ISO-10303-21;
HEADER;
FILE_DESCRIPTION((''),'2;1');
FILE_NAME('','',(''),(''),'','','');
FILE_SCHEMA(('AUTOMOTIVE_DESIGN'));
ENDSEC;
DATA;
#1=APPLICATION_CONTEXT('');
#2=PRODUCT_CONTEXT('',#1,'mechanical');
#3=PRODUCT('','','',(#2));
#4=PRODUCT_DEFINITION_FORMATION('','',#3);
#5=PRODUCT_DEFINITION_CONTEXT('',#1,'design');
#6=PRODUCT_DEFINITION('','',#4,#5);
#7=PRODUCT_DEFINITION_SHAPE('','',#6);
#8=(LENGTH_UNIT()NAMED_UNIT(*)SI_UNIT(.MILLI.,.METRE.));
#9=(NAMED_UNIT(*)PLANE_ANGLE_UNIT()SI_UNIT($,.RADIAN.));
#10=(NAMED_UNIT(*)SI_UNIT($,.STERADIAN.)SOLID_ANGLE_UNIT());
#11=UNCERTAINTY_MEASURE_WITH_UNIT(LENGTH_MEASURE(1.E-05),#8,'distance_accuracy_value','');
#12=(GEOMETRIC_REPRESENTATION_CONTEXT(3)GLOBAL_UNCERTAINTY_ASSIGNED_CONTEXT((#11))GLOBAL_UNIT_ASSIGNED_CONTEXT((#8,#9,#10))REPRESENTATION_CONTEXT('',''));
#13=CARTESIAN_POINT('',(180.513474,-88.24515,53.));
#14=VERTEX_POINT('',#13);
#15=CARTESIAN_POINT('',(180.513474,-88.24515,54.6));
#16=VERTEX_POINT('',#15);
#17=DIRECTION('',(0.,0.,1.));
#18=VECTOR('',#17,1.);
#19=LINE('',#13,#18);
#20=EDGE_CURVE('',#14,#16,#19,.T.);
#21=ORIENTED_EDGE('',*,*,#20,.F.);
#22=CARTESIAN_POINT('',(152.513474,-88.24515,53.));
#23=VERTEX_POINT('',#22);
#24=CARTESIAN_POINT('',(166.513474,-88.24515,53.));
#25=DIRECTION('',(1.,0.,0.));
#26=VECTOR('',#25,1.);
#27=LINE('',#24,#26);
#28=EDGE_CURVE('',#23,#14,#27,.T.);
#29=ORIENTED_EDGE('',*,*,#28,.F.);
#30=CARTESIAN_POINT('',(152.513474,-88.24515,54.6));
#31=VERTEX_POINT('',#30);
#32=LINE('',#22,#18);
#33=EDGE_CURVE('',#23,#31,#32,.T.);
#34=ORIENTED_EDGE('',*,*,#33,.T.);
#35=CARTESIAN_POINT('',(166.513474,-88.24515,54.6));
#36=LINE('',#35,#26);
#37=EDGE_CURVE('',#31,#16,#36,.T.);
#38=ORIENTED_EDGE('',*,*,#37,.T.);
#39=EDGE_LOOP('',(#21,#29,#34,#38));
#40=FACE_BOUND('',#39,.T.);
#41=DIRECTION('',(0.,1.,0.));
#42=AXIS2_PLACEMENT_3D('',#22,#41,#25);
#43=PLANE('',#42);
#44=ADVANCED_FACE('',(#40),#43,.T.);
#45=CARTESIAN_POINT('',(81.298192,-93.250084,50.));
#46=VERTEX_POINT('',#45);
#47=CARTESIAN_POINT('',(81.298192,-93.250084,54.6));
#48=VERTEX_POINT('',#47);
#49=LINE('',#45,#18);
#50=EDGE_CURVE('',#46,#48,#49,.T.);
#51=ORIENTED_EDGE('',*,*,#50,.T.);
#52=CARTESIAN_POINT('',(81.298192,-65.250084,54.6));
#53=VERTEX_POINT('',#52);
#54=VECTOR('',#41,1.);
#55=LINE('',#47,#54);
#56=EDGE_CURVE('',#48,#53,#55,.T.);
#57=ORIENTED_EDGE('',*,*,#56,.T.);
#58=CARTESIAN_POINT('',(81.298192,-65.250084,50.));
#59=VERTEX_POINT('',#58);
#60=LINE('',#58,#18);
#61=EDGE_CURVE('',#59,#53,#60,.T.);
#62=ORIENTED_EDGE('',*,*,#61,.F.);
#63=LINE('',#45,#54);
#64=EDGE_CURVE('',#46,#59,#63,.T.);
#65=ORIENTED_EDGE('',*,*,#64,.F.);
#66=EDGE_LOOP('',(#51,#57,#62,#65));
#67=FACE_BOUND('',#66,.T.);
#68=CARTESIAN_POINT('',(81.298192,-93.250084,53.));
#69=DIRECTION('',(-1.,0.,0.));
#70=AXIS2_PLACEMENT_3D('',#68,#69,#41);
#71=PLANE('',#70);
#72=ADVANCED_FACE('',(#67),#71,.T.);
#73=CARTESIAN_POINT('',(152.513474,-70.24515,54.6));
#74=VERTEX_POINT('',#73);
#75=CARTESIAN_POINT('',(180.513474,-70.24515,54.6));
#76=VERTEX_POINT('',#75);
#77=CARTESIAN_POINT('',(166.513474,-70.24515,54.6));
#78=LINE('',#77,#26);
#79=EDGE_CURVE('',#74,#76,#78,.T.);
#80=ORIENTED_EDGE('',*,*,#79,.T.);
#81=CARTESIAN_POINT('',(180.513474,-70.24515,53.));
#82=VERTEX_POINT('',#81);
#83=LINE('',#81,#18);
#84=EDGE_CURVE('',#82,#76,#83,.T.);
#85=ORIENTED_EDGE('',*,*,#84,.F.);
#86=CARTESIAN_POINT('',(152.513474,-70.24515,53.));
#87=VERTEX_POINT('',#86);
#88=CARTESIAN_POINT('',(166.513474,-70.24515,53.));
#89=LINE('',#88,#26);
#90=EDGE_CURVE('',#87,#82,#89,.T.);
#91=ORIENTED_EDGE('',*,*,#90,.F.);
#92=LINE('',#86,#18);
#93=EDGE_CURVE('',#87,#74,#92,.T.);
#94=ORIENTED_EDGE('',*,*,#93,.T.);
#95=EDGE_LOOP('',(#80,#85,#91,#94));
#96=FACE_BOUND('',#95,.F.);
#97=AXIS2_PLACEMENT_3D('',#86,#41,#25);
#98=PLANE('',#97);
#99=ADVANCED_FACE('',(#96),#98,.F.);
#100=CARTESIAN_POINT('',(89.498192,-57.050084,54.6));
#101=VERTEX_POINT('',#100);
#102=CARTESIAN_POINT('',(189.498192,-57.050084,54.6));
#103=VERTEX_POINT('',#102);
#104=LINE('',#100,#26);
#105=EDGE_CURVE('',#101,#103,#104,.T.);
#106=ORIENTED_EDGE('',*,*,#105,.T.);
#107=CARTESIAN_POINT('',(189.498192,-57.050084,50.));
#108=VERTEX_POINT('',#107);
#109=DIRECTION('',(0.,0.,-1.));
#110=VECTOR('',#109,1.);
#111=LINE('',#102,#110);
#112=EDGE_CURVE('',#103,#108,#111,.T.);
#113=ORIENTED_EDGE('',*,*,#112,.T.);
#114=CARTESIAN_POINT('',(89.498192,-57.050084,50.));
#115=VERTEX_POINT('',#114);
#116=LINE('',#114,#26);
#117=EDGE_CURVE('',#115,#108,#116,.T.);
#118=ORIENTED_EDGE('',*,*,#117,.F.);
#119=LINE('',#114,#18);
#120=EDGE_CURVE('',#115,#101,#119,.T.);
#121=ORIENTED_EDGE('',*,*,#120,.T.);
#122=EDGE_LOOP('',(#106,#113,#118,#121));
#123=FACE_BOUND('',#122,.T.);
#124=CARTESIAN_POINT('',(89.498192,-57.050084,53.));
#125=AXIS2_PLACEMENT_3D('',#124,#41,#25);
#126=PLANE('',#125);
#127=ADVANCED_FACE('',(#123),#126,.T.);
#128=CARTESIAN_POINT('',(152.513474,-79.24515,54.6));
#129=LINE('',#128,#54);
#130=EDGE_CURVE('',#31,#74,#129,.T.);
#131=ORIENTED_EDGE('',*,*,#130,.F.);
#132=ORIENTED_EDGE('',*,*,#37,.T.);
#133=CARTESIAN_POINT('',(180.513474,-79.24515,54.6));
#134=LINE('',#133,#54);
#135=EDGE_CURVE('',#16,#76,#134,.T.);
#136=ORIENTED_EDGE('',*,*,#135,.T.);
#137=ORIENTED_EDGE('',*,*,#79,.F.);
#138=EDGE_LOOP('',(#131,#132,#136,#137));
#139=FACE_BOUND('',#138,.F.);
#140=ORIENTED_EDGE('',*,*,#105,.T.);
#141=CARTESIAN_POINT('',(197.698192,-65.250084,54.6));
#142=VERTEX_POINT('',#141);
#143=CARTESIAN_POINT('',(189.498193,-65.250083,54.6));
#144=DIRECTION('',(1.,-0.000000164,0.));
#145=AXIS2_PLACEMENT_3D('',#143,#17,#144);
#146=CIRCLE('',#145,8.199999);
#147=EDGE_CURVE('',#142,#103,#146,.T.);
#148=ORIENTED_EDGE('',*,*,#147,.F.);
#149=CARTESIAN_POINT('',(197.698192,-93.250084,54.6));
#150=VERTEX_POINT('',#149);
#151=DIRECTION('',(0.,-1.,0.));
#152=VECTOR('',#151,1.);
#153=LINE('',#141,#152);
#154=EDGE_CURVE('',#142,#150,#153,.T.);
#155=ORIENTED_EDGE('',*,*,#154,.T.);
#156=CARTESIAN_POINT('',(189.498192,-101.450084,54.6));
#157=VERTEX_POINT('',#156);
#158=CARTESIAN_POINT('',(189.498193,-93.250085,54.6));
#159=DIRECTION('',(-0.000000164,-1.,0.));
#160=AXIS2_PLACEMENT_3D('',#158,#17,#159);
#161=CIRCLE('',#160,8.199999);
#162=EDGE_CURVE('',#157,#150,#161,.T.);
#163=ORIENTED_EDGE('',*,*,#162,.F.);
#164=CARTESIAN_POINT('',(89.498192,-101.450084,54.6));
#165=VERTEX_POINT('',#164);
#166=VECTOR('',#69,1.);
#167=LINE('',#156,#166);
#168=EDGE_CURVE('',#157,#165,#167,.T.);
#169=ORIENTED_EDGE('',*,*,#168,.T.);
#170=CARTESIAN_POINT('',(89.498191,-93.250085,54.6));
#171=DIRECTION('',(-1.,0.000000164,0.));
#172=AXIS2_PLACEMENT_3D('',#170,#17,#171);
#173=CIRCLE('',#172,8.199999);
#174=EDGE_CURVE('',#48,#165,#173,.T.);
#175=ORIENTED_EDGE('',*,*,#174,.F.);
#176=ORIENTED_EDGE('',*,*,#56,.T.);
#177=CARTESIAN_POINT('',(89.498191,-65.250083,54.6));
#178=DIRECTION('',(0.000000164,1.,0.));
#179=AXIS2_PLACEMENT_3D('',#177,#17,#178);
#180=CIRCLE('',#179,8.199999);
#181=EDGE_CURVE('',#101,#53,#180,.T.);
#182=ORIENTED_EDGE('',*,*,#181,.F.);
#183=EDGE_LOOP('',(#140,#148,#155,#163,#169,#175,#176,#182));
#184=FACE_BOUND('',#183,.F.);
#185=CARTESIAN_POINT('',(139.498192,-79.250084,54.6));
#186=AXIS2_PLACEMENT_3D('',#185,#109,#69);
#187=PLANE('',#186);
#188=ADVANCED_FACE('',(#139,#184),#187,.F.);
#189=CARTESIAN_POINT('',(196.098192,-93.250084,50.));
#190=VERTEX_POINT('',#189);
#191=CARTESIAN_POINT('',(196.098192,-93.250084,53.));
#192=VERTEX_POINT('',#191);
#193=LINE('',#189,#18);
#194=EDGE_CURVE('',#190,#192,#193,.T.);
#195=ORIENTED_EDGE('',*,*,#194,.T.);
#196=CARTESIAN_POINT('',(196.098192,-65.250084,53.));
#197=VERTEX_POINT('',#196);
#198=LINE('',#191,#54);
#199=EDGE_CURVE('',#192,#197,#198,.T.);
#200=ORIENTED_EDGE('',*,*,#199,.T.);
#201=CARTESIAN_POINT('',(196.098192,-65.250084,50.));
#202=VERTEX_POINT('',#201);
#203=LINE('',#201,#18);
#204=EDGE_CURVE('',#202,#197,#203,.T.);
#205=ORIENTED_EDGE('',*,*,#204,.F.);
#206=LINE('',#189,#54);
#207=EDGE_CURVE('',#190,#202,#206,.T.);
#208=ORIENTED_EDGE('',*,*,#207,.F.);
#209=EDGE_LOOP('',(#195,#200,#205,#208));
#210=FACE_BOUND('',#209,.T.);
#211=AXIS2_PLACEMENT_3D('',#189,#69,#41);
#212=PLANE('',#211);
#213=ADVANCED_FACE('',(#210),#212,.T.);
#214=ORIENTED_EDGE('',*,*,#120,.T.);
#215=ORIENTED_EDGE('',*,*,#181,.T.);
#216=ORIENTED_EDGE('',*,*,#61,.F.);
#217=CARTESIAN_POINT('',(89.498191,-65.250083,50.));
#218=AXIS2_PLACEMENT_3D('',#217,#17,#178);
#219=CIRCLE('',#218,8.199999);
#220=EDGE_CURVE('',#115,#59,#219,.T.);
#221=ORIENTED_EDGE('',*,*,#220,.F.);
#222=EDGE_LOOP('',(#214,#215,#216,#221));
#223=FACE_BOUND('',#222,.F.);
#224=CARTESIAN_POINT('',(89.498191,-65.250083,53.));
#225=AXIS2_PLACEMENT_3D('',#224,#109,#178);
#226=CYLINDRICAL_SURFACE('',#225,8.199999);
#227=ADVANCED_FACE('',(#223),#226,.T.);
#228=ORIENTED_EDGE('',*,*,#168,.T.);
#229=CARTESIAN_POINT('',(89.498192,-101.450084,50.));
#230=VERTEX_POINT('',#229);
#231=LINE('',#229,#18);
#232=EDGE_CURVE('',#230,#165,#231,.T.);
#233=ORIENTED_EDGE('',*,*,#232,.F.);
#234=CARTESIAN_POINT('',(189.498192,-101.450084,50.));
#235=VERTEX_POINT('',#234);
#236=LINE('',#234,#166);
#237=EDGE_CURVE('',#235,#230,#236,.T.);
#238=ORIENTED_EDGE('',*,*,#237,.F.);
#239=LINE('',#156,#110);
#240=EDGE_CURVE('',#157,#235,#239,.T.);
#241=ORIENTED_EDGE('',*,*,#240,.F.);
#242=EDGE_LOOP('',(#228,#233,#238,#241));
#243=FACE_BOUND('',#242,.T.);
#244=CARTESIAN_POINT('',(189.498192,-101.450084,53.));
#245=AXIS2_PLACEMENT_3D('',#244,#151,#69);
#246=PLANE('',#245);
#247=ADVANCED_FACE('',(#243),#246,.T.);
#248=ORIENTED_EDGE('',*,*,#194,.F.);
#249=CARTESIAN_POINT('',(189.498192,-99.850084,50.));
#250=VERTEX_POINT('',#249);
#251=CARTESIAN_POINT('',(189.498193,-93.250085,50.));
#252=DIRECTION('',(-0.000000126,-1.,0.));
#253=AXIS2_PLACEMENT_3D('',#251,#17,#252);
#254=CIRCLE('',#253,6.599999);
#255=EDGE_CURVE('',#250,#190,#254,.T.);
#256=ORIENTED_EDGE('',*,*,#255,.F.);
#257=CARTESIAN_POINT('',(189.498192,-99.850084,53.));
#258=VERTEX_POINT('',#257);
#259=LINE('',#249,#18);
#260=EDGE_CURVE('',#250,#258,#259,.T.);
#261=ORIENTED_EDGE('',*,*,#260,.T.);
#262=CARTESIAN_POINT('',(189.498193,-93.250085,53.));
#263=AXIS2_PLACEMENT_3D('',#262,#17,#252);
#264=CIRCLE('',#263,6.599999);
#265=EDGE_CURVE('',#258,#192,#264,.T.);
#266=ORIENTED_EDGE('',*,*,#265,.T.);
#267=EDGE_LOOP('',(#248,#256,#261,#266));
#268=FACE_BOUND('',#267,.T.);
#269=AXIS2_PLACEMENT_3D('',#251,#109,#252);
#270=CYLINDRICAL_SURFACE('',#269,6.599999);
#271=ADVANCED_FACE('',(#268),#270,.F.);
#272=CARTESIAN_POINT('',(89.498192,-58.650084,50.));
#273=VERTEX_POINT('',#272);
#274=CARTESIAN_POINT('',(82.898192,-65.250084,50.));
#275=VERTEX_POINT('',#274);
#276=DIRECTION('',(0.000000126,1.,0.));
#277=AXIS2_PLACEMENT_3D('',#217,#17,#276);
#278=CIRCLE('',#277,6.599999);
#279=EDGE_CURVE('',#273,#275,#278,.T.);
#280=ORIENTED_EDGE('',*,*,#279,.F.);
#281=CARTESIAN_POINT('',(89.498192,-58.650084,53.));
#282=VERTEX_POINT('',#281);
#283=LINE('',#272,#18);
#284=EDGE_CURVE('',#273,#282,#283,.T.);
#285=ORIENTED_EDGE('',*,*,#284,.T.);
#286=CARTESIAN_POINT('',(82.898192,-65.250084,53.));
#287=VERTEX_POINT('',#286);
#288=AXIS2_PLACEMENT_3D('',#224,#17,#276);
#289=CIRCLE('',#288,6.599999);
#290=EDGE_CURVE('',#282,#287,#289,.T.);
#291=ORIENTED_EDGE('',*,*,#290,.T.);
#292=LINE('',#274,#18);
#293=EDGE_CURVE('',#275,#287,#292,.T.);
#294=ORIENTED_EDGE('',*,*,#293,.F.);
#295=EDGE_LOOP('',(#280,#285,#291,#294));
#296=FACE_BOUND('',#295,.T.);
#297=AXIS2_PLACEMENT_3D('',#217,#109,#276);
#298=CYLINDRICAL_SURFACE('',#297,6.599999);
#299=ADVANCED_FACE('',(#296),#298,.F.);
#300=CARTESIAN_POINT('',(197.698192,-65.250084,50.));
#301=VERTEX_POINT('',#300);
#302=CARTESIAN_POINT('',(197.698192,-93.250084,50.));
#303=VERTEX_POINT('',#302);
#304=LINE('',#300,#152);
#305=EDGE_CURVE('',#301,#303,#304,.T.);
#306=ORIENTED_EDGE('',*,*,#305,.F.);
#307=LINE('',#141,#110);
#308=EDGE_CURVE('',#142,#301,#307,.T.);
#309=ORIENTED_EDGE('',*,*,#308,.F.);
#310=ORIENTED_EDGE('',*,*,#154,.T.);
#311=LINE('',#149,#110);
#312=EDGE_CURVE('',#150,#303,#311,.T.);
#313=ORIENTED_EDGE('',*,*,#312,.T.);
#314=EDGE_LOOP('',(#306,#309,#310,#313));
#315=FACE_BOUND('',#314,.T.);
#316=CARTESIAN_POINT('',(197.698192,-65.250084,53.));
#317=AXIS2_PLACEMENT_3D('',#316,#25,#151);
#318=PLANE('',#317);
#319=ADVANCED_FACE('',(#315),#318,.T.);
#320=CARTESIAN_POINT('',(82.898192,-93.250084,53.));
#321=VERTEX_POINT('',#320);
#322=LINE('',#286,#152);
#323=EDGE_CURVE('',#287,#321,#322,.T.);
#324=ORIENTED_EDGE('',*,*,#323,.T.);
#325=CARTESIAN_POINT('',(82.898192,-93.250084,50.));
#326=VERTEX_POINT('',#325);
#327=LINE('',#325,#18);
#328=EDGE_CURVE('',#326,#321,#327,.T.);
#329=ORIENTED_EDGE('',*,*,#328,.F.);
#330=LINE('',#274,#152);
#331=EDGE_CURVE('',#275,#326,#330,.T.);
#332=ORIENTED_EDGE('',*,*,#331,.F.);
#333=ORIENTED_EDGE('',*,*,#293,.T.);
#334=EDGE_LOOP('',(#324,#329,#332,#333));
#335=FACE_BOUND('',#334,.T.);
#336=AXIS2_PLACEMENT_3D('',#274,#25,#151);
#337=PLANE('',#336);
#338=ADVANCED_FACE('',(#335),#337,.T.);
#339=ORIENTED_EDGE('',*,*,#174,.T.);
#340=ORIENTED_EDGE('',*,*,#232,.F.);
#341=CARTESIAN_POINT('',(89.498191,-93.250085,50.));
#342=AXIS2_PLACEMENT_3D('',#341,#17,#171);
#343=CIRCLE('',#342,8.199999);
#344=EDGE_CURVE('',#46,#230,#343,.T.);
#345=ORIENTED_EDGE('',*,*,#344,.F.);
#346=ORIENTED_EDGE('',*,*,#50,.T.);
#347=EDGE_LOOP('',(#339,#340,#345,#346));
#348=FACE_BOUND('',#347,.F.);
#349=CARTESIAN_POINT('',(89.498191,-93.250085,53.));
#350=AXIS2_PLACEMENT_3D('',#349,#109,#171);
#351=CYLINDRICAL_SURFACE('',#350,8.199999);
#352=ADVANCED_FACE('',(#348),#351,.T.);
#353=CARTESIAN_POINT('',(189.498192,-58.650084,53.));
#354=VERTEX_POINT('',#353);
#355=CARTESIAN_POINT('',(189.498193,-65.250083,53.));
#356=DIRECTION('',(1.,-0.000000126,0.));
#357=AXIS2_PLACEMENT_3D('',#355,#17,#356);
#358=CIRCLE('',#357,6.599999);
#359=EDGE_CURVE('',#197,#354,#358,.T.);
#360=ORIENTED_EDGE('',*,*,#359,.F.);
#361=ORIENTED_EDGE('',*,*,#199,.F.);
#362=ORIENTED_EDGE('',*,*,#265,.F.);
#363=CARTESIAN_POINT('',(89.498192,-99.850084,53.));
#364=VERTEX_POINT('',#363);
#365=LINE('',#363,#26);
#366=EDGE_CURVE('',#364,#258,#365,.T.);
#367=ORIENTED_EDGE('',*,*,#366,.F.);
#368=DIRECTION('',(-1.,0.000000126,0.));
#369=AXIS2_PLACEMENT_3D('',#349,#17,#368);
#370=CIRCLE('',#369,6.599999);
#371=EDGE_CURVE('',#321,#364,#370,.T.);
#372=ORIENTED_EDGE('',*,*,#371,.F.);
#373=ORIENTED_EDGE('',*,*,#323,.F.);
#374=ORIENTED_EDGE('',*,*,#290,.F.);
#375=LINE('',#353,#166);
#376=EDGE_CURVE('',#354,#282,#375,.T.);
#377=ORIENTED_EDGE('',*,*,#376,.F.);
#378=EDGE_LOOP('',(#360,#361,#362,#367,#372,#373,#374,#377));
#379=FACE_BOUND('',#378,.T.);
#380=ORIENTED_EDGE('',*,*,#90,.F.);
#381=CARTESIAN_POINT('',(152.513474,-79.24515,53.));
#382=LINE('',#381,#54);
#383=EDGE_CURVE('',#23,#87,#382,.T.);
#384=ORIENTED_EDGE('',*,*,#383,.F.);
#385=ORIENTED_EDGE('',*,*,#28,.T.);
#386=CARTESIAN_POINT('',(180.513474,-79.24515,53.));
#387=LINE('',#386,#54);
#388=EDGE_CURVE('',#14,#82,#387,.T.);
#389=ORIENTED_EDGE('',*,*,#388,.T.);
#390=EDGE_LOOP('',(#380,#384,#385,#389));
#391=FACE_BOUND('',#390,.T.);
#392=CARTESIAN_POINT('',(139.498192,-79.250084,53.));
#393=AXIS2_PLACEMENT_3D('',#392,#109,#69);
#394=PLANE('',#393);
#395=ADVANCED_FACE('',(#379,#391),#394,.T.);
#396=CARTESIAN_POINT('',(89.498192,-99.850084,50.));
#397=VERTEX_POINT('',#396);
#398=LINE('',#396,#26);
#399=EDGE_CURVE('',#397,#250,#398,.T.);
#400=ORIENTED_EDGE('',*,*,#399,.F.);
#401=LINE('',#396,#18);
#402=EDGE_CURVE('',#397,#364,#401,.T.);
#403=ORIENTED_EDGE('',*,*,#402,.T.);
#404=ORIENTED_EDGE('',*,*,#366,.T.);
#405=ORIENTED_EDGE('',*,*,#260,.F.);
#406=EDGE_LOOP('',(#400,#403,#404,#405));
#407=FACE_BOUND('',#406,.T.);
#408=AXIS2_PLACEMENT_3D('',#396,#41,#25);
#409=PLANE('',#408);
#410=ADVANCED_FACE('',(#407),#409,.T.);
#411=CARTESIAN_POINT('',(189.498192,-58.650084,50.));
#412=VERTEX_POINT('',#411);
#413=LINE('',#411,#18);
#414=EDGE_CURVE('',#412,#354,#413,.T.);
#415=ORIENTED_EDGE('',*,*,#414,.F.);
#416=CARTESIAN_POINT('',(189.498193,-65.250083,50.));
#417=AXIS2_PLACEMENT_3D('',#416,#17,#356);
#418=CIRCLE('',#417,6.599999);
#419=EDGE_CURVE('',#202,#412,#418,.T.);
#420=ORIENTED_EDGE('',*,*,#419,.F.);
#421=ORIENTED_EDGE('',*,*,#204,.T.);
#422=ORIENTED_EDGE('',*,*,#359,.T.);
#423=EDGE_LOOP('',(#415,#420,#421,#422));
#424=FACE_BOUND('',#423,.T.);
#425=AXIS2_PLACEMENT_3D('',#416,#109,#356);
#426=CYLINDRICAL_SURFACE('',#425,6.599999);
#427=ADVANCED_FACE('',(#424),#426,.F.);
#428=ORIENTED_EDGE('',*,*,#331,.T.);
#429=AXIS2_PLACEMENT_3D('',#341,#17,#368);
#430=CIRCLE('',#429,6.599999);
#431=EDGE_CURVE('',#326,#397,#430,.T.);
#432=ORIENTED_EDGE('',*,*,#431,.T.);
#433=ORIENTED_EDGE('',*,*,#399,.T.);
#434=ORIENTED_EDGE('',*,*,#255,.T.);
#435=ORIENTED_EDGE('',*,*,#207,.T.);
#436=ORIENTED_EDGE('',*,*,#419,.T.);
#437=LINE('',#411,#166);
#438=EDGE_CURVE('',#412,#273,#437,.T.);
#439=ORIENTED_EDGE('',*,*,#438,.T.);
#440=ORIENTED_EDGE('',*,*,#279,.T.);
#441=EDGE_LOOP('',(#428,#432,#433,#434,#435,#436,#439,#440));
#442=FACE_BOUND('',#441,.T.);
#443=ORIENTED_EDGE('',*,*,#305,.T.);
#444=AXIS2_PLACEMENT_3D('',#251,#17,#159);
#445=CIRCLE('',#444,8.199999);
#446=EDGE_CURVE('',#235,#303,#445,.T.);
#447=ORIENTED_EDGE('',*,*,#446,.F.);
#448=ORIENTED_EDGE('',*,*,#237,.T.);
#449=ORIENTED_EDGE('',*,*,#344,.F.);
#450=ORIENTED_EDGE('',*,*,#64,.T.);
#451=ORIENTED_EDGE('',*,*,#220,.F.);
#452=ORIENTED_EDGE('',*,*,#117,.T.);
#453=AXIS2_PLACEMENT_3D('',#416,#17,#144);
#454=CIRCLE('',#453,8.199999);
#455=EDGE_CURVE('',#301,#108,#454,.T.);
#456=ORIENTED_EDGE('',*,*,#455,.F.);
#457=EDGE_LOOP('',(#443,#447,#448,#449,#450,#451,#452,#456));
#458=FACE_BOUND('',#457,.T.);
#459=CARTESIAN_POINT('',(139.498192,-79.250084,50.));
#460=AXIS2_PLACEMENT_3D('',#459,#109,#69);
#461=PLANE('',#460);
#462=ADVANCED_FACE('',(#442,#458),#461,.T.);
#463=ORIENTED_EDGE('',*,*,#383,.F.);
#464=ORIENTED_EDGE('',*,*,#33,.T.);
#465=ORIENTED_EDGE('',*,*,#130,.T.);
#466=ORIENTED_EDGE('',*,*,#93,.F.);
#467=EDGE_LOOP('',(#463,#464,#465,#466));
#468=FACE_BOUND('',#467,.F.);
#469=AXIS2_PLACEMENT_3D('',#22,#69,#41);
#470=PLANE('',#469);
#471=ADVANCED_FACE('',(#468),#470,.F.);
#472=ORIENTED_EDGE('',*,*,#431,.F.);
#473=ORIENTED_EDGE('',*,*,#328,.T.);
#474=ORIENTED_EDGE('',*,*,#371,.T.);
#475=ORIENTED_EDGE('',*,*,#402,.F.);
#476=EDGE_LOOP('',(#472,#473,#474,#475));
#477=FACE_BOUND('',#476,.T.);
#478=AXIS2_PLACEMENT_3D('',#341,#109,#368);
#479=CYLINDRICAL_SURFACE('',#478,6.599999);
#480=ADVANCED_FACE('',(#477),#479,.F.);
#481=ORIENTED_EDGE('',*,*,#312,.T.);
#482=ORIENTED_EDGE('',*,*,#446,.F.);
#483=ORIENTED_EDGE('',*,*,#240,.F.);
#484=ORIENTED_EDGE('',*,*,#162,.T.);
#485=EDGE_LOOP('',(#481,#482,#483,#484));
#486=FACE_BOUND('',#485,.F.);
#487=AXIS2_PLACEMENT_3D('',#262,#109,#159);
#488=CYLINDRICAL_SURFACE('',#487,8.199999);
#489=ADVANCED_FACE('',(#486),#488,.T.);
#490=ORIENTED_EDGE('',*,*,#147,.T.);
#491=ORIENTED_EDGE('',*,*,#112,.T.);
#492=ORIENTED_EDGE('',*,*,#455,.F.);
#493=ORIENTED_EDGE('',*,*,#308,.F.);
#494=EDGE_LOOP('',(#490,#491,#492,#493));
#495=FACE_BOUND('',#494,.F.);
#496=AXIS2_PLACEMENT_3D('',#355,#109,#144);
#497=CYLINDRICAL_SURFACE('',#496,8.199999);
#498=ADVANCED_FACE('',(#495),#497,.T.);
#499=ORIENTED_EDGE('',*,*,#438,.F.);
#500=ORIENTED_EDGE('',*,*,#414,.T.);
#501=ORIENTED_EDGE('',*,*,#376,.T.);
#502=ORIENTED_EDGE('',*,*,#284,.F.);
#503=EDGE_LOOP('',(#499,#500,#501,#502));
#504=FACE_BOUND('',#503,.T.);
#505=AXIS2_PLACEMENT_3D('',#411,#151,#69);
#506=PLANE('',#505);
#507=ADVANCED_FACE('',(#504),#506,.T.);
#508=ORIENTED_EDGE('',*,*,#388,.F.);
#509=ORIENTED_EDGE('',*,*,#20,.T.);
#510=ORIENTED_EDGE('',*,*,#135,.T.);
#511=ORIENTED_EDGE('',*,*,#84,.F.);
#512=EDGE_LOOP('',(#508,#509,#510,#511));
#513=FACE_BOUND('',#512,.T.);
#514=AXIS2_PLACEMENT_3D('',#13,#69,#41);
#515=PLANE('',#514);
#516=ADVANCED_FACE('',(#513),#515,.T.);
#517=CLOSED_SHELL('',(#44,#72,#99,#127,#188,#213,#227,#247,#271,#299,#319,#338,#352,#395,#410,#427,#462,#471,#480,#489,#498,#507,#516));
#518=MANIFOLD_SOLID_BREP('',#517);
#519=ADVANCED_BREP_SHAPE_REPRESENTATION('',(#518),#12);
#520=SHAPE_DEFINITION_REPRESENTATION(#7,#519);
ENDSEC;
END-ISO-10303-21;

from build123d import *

# Parameters (mm, degrees)
SKETCH004_W      = 28
SKETCH004_H      = 18
EXTRUDE004_DEPTH = 1.6
EXTRUDE003_DEPTH = 3


with BuildPart() as dekseltop:
    # Sketch004 → Extrude004 (new body)
    with BuildSketch(Plane.XY):
        with BuildLine():
            Line((89.498192, -57.050084), (189.498192, -57.050084))
            ThreePointArc((197.698192, -65.250084), (195.296468, -59.451808), (189.498192, -57.050084))
            Line((197.698192, -65.250084), (197.698192, -93.250084))
            ThreePointArc((189.498192, -101.450084), (195.296468, -99.04836), (197.698192, -93.250084))
            Line((189.498192, -101.450084), (89.498192, -101.450084))
            ThreePointArc((81.298192, -93.250084), (83.699916, -99.04836), (89.498192, -101.450084))
            Line((81.298192, -93.250084), (81.298192, -65.250084))
            ThreePointArc((89.498192, -57.050084), (83.699916, -59.451808), (81.298192, -65.250084))
        make_face()
        with Locations((166.513474, -79.24515)):
            Rectangle(SKETCH004_W, SKETCH004_H, mode=Mode.SUBTRACT)
    extrude(amount=EXTRUDE004_DEPTH)


with BuildPart() as dekseltop_1:
    # Extrude004 placement: moved
    add(dekseltop.part.moved(Location((0, 0, 53))))


with BuildPart() as deksel:
    # Sketch003 → Extrude003 (new body)
    with BuildSketch(Plane.XY):
        with BuildLine():
            Line((89.498192, -57.050084), (189.498192, -57.050084))
            ThreePointArc((197.698192, -65.250084), (195.296468, -59.451808), (189.498192, -57.050084))
            Line((197.698192, -65.250084), (197.698192, -93.250084))
            ThreePointArc((189.498192, -101.450084), (195.296468, -99.04836), (197.698192, -93.250084))
            Line((189.498192, -101.450084), (89.498192, -101.450084))
            ThreePointArc((81.298192, -93.250084), (83.699916, -99.04836), (89.498192, -101.450084))
            Line((81.298192, -93.250084), (81.298192, -65.250084))
            ThreePointArc((89.498192, -57.050084), (83.699916, -59.451808), (81.298192, -65.250084))
        make_face()
        with BuildLine():
            Line((89.498192, -99.850084), (189.498192, -99.850084))
            ThreePointArc((189.498192, -99.850084), (194.165097, -97.916989), (196.098192, -93.250084))
            Line((196.098192, -93.250084), (196.098192, -65.250084))
            ThreePointArc((196.098192, -65.250084), (194.165097, -60.583179), (189.498192, -58.650084))
            Line((189.498192, -58.650084), (89.498192, -58.650084))
            ThreePointArc((89.498192, -58.650084), (84.831287, -60.583179), (82.898192, -65.250084))
            Line((82.898192, -65.250084), (82.898192, -93.250084))
            ThreePointArc((82.898192, -93.250084), (84.831287, -97.916989), (89.498192, -99.850084))
        make_face(mode=Mode.SUBTRACT)
    extrude(amount=EXTRUDE003_DEPTH)


with BuildPart() as deksel_1:
    # Extrude003 placement: moved
    add(deksel.part.moved(Location((0, 0, 50))))

    # Fusion001: union DekselTop
    add(dekseltop_1.part)


solid = deksel_1.part
